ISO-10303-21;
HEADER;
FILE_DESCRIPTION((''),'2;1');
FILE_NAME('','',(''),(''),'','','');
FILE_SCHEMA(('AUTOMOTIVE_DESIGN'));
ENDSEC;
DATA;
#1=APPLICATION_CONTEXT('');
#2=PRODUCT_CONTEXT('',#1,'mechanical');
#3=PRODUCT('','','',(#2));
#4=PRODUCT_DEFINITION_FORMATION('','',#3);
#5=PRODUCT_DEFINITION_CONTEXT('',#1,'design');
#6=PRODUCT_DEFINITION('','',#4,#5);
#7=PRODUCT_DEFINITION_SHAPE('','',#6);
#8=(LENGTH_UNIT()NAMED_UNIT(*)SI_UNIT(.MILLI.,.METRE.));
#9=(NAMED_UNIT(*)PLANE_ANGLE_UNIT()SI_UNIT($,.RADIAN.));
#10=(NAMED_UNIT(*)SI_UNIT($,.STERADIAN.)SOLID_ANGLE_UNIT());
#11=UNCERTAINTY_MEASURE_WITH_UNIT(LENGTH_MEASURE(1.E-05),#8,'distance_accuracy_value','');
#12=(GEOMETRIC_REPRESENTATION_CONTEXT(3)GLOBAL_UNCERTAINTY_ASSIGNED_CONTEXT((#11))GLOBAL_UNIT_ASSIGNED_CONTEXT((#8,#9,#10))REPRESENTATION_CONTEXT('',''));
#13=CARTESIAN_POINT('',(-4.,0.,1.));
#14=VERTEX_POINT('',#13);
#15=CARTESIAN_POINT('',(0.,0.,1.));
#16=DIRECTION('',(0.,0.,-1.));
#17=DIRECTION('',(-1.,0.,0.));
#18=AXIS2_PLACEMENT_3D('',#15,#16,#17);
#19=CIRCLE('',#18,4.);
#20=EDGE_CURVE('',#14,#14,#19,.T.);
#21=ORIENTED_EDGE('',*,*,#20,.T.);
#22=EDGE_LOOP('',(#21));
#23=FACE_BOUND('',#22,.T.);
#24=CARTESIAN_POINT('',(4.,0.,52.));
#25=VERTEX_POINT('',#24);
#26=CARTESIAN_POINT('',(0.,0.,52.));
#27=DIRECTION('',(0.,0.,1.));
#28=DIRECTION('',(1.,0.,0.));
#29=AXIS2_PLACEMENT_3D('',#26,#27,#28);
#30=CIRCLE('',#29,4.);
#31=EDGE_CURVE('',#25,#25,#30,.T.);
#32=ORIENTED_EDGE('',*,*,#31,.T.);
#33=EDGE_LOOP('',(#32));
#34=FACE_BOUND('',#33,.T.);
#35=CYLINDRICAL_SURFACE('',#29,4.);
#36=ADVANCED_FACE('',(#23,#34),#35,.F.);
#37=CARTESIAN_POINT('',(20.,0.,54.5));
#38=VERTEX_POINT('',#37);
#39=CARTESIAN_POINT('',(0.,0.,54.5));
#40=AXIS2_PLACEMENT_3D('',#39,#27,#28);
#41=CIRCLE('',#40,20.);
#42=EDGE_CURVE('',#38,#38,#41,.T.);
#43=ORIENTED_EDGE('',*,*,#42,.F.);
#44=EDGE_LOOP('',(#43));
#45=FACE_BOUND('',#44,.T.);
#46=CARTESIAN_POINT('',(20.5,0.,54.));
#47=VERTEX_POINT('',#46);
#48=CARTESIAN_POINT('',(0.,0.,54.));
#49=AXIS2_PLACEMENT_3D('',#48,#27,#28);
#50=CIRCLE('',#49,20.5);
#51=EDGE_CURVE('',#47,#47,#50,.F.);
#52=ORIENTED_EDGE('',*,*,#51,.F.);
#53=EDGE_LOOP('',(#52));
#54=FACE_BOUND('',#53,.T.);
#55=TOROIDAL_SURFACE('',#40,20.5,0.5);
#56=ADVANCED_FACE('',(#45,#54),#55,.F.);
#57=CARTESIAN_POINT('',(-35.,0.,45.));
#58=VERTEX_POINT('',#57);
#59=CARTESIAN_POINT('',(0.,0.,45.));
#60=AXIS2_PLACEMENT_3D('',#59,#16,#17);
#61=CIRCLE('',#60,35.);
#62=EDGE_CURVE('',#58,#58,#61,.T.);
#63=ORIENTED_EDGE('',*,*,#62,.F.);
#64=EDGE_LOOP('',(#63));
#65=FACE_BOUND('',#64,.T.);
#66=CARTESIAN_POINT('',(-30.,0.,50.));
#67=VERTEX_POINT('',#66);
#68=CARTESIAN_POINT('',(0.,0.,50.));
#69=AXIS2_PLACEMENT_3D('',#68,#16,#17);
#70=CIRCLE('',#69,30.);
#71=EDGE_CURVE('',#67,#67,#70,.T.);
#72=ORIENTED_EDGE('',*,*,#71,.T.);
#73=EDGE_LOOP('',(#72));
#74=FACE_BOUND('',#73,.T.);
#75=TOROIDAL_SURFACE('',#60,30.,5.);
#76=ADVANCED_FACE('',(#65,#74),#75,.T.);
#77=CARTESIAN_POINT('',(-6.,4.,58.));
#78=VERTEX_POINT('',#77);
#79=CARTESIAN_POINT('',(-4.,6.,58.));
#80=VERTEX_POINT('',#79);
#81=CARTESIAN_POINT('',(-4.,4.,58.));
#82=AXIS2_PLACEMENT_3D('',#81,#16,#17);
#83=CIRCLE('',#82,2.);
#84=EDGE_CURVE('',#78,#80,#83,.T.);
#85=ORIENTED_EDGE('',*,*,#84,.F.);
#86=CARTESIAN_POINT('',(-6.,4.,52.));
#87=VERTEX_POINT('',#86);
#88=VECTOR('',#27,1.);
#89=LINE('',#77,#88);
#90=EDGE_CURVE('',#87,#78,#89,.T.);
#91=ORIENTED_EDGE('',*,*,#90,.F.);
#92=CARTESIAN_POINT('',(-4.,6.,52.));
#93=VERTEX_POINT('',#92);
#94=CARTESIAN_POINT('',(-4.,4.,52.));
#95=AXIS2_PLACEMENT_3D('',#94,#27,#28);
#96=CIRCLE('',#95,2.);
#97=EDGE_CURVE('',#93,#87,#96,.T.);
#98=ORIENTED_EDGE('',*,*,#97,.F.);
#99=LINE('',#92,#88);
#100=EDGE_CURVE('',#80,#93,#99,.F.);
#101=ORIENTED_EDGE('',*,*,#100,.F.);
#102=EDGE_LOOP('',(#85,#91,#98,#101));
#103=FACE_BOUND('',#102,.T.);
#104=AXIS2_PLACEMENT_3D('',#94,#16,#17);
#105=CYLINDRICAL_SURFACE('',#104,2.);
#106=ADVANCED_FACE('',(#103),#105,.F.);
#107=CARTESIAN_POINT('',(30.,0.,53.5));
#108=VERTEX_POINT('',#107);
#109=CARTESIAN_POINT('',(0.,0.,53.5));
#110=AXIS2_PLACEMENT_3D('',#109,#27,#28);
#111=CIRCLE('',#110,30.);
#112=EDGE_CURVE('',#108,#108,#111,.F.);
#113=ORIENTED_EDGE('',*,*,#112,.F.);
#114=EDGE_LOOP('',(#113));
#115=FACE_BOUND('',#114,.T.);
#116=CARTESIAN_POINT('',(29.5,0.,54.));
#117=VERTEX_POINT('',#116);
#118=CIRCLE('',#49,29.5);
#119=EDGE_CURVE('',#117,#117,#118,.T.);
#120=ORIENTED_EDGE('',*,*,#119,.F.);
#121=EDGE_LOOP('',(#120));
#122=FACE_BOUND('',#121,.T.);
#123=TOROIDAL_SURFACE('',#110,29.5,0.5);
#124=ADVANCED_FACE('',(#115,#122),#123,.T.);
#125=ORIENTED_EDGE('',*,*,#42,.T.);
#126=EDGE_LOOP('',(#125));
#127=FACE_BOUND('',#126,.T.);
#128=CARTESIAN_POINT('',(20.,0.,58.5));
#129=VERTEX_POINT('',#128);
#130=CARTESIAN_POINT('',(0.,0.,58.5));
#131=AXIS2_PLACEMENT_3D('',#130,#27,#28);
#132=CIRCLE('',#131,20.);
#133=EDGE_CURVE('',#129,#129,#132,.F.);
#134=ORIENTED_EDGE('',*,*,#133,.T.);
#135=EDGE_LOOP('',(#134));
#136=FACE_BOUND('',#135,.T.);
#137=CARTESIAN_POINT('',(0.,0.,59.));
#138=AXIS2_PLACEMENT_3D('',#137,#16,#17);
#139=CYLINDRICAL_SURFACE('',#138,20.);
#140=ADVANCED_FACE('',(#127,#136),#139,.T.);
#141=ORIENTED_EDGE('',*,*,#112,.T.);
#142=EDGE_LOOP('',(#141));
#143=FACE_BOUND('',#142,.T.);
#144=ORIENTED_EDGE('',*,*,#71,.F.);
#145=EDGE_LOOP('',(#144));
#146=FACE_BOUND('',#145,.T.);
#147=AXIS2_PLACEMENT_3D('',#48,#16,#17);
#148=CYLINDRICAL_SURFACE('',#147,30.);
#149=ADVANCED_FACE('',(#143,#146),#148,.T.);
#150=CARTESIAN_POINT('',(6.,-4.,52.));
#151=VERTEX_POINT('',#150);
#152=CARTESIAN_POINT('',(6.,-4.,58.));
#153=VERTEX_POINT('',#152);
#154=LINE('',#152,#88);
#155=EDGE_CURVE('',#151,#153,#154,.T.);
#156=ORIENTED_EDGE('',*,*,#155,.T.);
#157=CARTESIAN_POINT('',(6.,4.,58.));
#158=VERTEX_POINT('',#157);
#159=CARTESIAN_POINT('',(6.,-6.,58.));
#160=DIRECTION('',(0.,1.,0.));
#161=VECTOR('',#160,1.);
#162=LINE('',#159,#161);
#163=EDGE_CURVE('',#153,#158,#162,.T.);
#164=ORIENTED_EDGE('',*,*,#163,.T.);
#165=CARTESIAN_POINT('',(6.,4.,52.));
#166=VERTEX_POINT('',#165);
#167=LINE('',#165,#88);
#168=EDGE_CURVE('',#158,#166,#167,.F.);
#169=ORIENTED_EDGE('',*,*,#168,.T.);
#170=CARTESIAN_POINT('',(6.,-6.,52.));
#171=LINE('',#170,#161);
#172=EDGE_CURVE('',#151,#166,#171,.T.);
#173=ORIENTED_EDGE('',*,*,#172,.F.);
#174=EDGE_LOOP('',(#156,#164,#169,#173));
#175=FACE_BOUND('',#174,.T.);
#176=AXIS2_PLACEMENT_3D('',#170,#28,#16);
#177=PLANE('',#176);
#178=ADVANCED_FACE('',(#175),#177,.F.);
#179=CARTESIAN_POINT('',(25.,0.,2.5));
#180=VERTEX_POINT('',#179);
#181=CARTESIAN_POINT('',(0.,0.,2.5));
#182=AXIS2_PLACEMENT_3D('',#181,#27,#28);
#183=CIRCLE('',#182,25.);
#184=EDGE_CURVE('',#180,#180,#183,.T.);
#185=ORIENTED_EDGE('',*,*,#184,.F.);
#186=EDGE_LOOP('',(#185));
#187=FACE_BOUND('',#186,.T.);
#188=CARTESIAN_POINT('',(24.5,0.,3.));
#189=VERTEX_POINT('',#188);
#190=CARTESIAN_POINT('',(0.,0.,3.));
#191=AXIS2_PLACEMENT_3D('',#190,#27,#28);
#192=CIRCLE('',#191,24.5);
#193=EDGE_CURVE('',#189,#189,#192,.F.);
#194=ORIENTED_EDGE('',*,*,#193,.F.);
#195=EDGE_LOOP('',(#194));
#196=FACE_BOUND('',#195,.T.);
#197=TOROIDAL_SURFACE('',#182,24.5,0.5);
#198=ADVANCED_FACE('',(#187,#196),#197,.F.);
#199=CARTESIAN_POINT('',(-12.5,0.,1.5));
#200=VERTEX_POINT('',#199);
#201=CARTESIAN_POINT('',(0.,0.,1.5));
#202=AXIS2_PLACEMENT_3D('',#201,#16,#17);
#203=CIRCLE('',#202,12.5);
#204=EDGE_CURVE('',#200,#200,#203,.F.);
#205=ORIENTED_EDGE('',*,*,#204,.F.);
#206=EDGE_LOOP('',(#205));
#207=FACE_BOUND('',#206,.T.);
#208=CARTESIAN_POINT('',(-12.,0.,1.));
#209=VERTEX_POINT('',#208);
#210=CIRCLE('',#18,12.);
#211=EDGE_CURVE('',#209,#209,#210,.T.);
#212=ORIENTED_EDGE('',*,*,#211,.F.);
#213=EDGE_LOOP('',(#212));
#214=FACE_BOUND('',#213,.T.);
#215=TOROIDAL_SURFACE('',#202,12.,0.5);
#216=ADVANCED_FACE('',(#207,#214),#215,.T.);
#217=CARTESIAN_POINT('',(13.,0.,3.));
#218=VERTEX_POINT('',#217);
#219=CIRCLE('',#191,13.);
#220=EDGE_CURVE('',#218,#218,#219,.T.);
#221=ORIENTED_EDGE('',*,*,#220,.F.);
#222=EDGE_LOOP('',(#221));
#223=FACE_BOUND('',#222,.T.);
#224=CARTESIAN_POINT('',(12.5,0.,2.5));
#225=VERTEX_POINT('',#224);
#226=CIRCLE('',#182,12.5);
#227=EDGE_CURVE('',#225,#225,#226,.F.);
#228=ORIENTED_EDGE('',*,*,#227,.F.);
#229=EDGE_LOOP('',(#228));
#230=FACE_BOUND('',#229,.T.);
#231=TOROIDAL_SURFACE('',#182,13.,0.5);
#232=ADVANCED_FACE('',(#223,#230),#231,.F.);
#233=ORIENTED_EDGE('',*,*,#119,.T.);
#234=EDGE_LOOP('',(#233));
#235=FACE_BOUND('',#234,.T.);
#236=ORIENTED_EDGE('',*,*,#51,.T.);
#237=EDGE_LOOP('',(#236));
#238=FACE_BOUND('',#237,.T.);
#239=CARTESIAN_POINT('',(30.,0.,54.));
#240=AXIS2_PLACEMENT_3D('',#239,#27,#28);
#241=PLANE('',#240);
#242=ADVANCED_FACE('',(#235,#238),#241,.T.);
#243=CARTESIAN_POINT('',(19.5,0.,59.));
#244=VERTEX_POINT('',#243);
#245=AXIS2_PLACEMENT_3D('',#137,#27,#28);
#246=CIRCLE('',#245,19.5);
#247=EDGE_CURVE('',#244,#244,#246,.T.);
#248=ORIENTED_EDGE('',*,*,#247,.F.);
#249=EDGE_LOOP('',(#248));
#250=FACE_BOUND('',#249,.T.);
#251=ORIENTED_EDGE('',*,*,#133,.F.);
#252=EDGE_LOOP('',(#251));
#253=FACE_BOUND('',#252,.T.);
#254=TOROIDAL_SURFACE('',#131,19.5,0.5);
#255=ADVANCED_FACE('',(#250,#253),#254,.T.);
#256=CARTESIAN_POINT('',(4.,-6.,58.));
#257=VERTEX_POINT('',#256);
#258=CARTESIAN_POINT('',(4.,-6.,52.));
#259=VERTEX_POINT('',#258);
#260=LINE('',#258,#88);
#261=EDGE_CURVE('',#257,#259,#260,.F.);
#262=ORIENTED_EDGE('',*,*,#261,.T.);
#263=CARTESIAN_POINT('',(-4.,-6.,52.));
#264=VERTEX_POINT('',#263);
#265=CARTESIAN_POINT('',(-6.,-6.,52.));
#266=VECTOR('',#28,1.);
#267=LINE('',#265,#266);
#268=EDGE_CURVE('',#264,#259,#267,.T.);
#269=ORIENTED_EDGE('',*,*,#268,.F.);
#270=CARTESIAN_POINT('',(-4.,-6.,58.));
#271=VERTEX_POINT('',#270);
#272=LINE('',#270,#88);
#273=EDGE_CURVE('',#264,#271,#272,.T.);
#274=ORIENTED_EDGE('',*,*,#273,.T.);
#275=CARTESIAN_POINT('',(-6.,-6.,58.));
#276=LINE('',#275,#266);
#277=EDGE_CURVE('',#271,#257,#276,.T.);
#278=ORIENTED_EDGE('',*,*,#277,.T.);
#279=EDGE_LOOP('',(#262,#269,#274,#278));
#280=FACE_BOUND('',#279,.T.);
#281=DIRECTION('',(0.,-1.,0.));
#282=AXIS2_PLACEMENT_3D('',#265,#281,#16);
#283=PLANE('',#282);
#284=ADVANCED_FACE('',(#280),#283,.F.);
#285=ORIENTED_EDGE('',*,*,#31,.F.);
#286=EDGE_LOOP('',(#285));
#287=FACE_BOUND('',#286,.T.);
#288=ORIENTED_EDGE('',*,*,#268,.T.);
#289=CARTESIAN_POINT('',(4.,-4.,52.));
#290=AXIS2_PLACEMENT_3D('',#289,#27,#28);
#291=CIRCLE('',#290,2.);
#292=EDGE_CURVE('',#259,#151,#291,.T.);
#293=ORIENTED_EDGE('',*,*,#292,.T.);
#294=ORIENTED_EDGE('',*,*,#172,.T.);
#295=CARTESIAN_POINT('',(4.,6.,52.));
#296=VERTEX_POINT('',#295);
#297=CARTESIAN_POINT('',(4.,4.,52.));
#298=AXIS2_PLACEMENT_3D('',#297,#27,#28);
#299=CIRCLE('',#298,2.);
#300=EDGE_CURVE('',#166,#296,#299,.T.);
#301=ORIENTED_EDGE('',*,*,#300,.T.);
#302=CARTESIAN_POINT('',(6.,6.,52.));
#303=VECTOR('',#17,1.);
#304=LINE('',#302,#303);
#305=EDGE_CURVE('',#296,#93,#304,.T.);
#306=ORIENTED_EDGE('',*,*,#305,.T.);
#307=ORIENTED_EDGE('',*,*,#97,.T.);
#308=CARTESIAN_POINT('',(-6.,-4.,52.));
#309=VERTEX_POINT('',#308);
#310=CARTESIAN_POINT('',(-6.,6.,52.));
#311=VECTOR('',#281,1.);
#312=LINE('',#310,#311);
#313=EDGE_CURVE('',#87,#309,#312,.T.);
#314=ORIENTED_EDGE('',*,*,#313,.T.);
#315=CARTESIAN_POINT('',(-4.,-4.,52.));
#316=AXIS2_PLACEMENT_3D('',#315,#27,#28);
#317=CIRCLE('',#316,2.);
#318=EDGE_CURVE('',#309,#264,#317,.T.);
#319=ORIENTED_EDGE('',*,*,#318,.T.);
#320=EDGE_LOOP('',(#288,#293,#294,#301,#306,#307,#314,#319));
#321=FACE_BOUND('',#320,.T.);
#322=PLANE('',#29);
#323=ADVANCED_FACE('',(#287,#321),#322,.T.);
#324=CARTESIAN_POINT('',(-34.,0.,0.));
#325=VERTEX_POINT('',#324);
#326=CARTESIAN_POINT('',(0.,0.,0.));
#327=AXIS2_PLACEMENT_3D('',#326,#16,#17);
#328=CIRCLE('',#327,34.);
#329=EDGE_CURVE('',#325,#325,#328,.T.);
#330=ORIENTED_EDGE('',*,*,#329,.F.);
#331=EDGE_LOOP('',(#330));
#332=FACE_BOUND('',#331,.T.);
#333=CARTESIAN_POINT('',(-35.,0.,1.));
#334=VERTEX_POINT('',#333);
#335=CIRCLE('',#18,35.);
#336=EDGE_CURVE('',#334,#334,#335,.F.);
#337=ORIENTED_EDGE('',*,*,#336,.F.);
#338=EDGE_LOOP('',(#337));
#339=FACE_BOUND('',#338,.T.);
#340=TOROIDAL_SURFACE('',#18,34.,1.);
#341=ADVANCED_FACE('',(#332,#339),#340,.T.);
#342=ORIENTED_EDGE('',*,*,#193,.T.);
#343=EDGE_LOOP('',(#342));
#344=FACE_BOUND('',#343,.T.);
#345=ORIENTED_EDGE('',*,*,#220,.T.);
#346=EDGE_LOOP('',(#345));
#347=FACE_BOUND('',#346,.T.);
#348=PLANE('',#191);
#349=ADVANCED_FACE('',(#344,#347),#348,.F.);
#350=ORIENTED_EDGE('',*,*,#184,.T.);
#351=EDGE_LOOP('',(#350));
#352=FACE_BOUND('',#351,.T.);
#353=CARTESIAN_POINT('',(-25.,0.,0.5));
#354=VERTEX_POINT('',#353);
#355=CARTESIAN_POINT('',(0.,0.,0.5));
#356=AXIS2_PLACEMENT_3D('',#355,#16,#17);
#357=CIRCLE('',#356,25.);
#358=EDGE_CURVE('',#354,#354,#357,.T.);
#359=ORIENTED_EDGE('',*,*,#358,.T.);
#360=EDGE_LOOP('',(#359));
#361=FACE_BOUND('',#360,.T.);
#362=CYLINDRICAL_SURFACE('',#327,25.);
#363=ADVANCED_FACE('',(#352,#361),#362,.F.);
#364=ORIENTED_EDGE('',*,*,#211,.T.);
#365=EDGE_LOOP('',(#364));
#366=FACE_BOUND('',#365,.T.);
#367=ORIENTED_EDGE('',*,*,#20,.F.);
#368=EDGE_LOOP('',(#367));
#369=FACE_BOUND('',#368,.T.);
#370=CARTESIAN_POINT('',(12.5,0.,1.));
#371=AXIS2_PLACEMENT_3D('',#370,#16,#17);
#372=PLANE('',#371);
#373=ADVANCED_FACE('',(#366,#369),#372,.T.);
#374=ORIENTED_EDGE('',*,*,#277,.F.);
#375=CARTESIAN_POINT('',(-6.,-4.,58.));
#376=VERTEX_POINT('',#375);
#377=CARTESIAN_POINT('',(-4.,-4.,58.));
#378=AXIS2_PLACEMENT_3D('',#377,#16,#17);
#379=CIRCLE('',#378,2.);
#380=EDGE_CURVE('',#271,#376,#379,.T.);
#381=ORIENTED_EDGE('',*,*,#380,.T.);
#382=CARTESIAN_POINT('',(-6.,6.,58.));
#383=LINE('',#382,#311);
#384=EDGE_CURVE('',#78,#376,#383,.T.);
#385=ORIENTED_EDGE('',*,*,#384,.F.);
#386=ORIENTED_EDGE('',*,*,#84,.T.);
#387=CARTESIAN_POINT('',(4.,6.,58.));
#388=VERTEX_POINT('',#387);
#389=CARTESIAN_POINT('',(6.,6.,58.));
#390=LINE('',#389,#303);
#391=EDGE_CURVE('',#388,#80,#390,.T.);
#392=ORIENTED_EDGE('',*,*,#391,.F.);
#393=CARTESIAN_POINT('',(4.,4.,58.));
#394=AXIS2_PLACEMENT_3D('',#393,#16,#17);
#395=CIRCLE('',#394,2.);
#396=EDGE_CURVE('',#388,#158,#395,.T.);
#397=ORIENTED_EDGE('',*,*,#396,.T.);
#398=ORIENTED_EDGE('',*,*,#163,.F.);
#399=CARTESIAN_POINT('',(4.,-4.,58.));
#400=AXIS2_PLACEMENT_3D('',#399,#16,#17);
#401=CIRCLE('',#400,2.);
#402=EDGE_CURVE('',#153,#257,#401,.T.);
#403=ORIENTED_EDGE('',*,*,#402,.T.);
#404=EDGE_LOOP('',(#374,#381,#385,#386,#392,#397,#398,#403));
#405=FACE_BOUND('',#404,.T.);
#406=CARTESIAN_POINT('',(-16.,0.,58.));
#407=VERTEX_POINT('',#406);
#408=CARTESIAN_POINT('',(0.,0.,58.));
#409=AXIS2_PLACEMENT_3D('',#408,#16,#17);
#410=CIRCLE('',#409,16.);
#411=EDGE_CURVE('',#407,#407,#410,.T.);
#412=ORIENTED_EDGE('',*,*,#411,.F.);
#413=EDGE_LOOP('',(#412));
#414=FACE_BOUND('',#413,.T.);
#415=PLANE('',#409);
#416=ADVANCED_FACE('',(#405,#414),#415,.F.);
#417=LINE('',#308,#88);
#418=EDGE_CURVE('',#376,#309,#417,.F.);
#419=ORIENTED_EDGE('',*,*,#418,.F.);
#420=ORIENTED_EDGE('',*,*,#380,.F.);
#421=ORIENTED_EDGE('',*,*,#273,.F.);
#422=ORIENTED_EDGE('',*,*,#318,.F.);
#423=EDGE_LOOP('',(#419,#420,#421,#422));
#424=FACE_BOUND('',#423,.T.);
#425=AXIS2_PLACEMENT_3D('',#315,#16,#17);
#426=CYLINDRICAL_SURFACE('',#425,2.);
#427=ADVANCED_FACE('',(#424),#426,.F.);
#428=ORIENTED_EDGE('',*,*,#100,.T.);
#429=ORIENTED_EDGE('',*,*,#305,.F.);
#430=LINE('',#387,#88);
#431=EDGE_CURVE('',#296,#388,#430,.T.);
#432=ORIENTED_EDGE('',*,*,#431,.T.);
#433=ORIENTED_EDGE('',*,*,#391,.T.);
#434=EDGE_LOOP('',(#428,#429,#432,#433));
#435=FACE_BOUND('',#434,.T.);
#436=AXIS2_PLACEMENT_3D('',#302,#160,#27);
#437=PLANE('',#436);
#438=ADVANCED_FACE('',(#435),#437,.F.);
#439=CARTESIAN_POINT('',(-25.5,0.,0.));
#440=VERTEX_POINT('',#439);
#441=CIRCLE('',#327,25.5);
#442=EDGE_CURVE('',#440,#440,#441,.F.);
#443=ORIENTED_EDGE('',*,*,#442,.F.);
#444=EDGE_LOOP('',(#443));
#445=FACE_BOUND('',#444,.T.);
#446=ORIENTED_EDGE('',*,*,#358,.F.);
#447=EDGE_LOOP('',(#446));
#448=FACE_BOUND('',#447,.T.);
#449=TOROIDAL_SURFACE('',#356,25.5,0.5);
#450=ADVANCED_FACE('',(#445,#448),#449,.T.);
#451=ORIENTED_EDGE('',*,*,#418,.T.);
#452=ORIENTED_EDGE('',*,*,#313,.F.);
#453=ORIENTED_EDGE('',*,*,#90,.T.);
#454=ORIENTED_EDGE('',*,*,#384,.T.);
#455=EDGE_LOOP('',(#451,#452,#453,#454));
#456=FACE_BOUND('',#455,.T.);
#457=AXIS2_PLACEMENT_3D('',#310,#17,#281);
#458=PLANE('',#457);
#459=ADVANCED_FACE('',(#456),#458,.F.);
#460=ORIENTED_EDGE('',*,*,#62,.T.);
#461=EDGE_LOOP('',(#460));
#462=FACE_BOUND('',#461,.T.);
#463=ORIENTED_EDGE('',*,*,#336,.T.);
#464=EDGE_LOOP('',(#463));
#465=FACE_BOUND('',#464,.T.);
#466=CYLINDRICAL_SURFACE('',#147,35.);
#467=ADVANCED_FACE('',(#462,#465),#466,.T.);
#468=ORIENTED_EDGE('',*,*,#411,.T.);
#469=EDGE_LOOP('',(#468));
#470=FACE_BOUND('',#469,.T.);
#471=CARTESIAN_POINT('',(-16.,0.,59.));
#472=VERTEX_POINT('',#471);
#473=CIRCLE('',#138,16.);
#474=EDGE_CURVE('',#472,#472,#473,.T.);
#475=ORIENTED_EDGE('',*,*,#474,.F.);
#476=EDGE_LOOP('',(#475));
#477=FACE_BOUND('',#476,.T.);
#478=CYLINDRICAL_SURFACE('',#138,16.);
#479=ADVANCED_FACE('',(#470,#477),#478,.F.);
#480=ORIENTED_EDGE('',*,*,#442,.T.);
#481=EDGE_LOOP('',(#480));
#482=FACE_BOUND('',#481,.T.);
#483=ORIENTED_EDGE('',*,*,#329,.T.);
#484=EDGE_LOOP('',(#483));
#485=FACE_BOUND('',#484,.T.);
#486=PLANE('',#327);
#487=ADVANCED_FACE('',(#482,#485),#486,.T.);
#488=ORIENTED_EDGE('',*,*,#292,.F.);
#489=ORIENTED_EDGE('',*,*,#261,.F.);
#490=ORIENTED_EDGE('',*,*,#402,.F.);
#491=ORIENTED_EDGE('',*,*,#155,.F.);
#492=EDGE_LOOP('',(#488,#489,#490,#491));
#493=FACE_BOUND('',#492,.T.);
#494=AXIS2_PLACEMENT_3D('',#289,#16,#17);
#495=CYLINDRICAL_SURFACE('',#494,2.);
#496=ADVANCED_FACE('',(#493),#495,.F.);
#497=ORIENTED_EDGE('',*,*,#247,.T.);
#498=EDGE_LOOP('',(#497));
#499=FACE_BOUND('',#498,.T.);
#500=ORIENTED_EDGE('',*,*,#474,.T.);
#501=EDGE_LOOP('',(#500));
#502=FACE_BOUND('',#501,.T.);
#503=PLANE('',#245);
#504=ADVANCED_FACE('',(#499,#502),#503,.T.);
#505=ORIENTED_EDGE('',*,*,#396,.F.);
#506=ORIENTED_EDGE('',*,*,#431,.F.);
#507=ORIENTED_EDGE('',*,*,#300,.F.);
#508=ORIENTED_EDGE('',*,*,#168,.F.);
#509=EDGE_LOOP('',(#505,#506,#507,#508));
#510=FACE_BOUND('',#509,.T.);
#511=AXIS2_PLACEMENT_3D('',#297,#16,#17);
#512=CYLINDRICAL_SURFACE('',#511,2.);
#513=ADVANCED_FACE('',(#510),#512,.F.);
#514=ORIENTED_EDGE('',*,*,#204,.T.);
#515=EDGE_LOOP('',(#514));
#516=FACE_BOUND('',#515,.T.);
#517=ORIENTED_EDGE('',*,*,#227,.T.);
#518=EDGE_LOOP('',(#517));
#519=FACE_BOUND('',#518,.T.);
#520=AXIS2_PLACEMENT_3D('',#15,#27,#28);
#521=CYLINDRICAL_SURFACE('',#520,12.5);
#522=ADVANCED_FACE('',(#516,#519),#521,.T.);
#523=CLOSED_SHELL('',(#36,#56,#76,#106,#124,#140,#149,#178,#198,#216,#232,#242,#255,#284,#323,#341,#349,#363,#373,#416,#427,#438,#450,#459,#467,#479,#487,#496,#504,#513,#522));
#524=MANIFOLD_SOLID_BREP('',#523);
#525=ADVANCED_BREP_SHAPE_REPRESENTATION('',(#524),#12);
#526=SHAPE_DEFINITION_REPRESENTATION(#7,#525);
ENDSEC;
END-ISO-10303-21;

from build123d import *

# Parameters (mm, degrees)
SKETCH2_R                    = 20
BOSS_EXTRUDE1_DEPTH          = 5
SKETCH3_W                    = 12
SKETCH3_H                    = 12
CUT_EXTRUDE1_DEPTH           = 7
M45_CLEARANCE_HOLE1_D        = 50
M45_CLEARANCE_HOLE1_DEPTH    = 3
SKETCH6_W                    = 12.5
SKETCH6_H                    = 2
SKETCH7_W                    = 16
SKETCH7_H                    = 1
F_8_0_8_DIAMETER_HOLE1_D     = 8
F_8_0_8_DIAMETER_HOLE1_DEPTH = 52
FILLET1_R                    = 0.5
FILLET2_R                    = 1
FILLET3_R                    = 2


with BuildPart() as part:
    # Sketch1 → Revolve1 (revolve)
    with BuildSketch(Plane.XZ, mode=Mode.PRIVATE) as revolve1_sk:
        with BuildLine():
            Line((30, 54), (0, 54))
            Line((0, 54), (0, 0))
            Line((0, 0), (35, 0))
            Line((35, 0), (35, 45))
            ThreePointArc((35, 45), (33.535533906, 48.535533906), (30, 50))
            Line((30, 50), (30, 54))
        make_face()
    revolve(revolve1_sk.sketch.rotate(Axis((0, 0, 54), (0, 0, -1)), 180), axis=Axis((0, 0, 54), (0, 0, -1)))

    # Sketch2 → Boss-Extrude1 (add)
    with BuildSketch(Plane.XY.offset(54)):
        Circle(SKETCH2_R)
    extrude(amount=BOSS_EXTRUDE1_DEPTH)

    # Sketch3 → Cut-Extrude1 (cut)
    with BuildSketch(Plane.XY.offset(59)):
        Rectangle(SKETCH3_W, SKETCH3_H)
    extrude(amount=-CUT_EXTRUDE1_DEPTH, mode=Mode.SUBTRACT)

    # M45 Clearance Hole1
    with Locations(Plane(origin=(0, 0, 0), x_dir=(-1, 0, 0), z_dir=(0, 0, -1))):
        with Locations((0, 0)):
            Hole(M45_CLEARANCE_HOLE1_D / 2, depth=M45_CLEARANCE_HOLE1_DEPTH)

    # Sketch6 → Revolve2 (revolve)
    with BuildSketch(Plane(origin=(0, 0, 0), x_dir=(1, 0, 0), z_dir=(0, 1, 0)), mode=Mode.PRIVATE) as revolve2_sk:
        with Locations((6.25, -2)):
            Rectangle(SKETCH6_W, SKETCH6_H)
    revolve(revolve2_sk.sketch.rotate(Axis((0, 0, 1), (0, 0, 1)), 180), axis=Axis((0, 0, 1), (0, 0, 1)))

    # Sketch7 → Cut-Revolve1 (revolve, cut)
    with BuildSketch(Plane(origin=(0, 0, 0), x_dir=(1, 0, 0), z_dir=(0, 1, 0))):
        with Locations((-8, -58.5)):
            Rectangle(SKETCH7_W, SKETCH7_H)
    revolve(axis=Axis((0, 0, 59), (0, 0, -1)), mode=Mode.SUBTRACT)

    # Ø8.0 (8) Diameter Hole1
    with Locations(Plane.XY.offset(52)):
        with Locations((0, 0)):
            Hole(F_8_0_8_DIAMETER_HOLE1_D / 2, depth=F_8_0_8_DIAMETER_HOLE1_DEPTH)

    # Fillet1
    fillet1_edges = [part.edges().sort_by_distance(p)[0] for p in [
        (-20, 0, 54),
        (-20, 0, 59),
        (-25, 0, 0),
        (-25, 0, 3),
        (12.5, 0, 1),
        (12.5, 0, 3),
        (30, 0, 54),
    ]]
    fillet(fillet1_edges, radius=FILLET1_R)

    # Fillet2
    fillet2_edges = [part.edges().sort_by_distance(p)[0] for p in [
        (35, 0, 0),
    ]]
    fillet(fillet2_edges, radius=FILLET2_R)

    # Fillet3
    fillet3_edges = [part.edges().sort_by_distance(p)[0] for p in [
        (-6, 6, 55),
        (6, 6, 55),
        (6, -6, 55),
        (-6, -6, 55),
    ]]
    fillet(fillet3_edges, radius=FILLET3_R)


solid = part.part
